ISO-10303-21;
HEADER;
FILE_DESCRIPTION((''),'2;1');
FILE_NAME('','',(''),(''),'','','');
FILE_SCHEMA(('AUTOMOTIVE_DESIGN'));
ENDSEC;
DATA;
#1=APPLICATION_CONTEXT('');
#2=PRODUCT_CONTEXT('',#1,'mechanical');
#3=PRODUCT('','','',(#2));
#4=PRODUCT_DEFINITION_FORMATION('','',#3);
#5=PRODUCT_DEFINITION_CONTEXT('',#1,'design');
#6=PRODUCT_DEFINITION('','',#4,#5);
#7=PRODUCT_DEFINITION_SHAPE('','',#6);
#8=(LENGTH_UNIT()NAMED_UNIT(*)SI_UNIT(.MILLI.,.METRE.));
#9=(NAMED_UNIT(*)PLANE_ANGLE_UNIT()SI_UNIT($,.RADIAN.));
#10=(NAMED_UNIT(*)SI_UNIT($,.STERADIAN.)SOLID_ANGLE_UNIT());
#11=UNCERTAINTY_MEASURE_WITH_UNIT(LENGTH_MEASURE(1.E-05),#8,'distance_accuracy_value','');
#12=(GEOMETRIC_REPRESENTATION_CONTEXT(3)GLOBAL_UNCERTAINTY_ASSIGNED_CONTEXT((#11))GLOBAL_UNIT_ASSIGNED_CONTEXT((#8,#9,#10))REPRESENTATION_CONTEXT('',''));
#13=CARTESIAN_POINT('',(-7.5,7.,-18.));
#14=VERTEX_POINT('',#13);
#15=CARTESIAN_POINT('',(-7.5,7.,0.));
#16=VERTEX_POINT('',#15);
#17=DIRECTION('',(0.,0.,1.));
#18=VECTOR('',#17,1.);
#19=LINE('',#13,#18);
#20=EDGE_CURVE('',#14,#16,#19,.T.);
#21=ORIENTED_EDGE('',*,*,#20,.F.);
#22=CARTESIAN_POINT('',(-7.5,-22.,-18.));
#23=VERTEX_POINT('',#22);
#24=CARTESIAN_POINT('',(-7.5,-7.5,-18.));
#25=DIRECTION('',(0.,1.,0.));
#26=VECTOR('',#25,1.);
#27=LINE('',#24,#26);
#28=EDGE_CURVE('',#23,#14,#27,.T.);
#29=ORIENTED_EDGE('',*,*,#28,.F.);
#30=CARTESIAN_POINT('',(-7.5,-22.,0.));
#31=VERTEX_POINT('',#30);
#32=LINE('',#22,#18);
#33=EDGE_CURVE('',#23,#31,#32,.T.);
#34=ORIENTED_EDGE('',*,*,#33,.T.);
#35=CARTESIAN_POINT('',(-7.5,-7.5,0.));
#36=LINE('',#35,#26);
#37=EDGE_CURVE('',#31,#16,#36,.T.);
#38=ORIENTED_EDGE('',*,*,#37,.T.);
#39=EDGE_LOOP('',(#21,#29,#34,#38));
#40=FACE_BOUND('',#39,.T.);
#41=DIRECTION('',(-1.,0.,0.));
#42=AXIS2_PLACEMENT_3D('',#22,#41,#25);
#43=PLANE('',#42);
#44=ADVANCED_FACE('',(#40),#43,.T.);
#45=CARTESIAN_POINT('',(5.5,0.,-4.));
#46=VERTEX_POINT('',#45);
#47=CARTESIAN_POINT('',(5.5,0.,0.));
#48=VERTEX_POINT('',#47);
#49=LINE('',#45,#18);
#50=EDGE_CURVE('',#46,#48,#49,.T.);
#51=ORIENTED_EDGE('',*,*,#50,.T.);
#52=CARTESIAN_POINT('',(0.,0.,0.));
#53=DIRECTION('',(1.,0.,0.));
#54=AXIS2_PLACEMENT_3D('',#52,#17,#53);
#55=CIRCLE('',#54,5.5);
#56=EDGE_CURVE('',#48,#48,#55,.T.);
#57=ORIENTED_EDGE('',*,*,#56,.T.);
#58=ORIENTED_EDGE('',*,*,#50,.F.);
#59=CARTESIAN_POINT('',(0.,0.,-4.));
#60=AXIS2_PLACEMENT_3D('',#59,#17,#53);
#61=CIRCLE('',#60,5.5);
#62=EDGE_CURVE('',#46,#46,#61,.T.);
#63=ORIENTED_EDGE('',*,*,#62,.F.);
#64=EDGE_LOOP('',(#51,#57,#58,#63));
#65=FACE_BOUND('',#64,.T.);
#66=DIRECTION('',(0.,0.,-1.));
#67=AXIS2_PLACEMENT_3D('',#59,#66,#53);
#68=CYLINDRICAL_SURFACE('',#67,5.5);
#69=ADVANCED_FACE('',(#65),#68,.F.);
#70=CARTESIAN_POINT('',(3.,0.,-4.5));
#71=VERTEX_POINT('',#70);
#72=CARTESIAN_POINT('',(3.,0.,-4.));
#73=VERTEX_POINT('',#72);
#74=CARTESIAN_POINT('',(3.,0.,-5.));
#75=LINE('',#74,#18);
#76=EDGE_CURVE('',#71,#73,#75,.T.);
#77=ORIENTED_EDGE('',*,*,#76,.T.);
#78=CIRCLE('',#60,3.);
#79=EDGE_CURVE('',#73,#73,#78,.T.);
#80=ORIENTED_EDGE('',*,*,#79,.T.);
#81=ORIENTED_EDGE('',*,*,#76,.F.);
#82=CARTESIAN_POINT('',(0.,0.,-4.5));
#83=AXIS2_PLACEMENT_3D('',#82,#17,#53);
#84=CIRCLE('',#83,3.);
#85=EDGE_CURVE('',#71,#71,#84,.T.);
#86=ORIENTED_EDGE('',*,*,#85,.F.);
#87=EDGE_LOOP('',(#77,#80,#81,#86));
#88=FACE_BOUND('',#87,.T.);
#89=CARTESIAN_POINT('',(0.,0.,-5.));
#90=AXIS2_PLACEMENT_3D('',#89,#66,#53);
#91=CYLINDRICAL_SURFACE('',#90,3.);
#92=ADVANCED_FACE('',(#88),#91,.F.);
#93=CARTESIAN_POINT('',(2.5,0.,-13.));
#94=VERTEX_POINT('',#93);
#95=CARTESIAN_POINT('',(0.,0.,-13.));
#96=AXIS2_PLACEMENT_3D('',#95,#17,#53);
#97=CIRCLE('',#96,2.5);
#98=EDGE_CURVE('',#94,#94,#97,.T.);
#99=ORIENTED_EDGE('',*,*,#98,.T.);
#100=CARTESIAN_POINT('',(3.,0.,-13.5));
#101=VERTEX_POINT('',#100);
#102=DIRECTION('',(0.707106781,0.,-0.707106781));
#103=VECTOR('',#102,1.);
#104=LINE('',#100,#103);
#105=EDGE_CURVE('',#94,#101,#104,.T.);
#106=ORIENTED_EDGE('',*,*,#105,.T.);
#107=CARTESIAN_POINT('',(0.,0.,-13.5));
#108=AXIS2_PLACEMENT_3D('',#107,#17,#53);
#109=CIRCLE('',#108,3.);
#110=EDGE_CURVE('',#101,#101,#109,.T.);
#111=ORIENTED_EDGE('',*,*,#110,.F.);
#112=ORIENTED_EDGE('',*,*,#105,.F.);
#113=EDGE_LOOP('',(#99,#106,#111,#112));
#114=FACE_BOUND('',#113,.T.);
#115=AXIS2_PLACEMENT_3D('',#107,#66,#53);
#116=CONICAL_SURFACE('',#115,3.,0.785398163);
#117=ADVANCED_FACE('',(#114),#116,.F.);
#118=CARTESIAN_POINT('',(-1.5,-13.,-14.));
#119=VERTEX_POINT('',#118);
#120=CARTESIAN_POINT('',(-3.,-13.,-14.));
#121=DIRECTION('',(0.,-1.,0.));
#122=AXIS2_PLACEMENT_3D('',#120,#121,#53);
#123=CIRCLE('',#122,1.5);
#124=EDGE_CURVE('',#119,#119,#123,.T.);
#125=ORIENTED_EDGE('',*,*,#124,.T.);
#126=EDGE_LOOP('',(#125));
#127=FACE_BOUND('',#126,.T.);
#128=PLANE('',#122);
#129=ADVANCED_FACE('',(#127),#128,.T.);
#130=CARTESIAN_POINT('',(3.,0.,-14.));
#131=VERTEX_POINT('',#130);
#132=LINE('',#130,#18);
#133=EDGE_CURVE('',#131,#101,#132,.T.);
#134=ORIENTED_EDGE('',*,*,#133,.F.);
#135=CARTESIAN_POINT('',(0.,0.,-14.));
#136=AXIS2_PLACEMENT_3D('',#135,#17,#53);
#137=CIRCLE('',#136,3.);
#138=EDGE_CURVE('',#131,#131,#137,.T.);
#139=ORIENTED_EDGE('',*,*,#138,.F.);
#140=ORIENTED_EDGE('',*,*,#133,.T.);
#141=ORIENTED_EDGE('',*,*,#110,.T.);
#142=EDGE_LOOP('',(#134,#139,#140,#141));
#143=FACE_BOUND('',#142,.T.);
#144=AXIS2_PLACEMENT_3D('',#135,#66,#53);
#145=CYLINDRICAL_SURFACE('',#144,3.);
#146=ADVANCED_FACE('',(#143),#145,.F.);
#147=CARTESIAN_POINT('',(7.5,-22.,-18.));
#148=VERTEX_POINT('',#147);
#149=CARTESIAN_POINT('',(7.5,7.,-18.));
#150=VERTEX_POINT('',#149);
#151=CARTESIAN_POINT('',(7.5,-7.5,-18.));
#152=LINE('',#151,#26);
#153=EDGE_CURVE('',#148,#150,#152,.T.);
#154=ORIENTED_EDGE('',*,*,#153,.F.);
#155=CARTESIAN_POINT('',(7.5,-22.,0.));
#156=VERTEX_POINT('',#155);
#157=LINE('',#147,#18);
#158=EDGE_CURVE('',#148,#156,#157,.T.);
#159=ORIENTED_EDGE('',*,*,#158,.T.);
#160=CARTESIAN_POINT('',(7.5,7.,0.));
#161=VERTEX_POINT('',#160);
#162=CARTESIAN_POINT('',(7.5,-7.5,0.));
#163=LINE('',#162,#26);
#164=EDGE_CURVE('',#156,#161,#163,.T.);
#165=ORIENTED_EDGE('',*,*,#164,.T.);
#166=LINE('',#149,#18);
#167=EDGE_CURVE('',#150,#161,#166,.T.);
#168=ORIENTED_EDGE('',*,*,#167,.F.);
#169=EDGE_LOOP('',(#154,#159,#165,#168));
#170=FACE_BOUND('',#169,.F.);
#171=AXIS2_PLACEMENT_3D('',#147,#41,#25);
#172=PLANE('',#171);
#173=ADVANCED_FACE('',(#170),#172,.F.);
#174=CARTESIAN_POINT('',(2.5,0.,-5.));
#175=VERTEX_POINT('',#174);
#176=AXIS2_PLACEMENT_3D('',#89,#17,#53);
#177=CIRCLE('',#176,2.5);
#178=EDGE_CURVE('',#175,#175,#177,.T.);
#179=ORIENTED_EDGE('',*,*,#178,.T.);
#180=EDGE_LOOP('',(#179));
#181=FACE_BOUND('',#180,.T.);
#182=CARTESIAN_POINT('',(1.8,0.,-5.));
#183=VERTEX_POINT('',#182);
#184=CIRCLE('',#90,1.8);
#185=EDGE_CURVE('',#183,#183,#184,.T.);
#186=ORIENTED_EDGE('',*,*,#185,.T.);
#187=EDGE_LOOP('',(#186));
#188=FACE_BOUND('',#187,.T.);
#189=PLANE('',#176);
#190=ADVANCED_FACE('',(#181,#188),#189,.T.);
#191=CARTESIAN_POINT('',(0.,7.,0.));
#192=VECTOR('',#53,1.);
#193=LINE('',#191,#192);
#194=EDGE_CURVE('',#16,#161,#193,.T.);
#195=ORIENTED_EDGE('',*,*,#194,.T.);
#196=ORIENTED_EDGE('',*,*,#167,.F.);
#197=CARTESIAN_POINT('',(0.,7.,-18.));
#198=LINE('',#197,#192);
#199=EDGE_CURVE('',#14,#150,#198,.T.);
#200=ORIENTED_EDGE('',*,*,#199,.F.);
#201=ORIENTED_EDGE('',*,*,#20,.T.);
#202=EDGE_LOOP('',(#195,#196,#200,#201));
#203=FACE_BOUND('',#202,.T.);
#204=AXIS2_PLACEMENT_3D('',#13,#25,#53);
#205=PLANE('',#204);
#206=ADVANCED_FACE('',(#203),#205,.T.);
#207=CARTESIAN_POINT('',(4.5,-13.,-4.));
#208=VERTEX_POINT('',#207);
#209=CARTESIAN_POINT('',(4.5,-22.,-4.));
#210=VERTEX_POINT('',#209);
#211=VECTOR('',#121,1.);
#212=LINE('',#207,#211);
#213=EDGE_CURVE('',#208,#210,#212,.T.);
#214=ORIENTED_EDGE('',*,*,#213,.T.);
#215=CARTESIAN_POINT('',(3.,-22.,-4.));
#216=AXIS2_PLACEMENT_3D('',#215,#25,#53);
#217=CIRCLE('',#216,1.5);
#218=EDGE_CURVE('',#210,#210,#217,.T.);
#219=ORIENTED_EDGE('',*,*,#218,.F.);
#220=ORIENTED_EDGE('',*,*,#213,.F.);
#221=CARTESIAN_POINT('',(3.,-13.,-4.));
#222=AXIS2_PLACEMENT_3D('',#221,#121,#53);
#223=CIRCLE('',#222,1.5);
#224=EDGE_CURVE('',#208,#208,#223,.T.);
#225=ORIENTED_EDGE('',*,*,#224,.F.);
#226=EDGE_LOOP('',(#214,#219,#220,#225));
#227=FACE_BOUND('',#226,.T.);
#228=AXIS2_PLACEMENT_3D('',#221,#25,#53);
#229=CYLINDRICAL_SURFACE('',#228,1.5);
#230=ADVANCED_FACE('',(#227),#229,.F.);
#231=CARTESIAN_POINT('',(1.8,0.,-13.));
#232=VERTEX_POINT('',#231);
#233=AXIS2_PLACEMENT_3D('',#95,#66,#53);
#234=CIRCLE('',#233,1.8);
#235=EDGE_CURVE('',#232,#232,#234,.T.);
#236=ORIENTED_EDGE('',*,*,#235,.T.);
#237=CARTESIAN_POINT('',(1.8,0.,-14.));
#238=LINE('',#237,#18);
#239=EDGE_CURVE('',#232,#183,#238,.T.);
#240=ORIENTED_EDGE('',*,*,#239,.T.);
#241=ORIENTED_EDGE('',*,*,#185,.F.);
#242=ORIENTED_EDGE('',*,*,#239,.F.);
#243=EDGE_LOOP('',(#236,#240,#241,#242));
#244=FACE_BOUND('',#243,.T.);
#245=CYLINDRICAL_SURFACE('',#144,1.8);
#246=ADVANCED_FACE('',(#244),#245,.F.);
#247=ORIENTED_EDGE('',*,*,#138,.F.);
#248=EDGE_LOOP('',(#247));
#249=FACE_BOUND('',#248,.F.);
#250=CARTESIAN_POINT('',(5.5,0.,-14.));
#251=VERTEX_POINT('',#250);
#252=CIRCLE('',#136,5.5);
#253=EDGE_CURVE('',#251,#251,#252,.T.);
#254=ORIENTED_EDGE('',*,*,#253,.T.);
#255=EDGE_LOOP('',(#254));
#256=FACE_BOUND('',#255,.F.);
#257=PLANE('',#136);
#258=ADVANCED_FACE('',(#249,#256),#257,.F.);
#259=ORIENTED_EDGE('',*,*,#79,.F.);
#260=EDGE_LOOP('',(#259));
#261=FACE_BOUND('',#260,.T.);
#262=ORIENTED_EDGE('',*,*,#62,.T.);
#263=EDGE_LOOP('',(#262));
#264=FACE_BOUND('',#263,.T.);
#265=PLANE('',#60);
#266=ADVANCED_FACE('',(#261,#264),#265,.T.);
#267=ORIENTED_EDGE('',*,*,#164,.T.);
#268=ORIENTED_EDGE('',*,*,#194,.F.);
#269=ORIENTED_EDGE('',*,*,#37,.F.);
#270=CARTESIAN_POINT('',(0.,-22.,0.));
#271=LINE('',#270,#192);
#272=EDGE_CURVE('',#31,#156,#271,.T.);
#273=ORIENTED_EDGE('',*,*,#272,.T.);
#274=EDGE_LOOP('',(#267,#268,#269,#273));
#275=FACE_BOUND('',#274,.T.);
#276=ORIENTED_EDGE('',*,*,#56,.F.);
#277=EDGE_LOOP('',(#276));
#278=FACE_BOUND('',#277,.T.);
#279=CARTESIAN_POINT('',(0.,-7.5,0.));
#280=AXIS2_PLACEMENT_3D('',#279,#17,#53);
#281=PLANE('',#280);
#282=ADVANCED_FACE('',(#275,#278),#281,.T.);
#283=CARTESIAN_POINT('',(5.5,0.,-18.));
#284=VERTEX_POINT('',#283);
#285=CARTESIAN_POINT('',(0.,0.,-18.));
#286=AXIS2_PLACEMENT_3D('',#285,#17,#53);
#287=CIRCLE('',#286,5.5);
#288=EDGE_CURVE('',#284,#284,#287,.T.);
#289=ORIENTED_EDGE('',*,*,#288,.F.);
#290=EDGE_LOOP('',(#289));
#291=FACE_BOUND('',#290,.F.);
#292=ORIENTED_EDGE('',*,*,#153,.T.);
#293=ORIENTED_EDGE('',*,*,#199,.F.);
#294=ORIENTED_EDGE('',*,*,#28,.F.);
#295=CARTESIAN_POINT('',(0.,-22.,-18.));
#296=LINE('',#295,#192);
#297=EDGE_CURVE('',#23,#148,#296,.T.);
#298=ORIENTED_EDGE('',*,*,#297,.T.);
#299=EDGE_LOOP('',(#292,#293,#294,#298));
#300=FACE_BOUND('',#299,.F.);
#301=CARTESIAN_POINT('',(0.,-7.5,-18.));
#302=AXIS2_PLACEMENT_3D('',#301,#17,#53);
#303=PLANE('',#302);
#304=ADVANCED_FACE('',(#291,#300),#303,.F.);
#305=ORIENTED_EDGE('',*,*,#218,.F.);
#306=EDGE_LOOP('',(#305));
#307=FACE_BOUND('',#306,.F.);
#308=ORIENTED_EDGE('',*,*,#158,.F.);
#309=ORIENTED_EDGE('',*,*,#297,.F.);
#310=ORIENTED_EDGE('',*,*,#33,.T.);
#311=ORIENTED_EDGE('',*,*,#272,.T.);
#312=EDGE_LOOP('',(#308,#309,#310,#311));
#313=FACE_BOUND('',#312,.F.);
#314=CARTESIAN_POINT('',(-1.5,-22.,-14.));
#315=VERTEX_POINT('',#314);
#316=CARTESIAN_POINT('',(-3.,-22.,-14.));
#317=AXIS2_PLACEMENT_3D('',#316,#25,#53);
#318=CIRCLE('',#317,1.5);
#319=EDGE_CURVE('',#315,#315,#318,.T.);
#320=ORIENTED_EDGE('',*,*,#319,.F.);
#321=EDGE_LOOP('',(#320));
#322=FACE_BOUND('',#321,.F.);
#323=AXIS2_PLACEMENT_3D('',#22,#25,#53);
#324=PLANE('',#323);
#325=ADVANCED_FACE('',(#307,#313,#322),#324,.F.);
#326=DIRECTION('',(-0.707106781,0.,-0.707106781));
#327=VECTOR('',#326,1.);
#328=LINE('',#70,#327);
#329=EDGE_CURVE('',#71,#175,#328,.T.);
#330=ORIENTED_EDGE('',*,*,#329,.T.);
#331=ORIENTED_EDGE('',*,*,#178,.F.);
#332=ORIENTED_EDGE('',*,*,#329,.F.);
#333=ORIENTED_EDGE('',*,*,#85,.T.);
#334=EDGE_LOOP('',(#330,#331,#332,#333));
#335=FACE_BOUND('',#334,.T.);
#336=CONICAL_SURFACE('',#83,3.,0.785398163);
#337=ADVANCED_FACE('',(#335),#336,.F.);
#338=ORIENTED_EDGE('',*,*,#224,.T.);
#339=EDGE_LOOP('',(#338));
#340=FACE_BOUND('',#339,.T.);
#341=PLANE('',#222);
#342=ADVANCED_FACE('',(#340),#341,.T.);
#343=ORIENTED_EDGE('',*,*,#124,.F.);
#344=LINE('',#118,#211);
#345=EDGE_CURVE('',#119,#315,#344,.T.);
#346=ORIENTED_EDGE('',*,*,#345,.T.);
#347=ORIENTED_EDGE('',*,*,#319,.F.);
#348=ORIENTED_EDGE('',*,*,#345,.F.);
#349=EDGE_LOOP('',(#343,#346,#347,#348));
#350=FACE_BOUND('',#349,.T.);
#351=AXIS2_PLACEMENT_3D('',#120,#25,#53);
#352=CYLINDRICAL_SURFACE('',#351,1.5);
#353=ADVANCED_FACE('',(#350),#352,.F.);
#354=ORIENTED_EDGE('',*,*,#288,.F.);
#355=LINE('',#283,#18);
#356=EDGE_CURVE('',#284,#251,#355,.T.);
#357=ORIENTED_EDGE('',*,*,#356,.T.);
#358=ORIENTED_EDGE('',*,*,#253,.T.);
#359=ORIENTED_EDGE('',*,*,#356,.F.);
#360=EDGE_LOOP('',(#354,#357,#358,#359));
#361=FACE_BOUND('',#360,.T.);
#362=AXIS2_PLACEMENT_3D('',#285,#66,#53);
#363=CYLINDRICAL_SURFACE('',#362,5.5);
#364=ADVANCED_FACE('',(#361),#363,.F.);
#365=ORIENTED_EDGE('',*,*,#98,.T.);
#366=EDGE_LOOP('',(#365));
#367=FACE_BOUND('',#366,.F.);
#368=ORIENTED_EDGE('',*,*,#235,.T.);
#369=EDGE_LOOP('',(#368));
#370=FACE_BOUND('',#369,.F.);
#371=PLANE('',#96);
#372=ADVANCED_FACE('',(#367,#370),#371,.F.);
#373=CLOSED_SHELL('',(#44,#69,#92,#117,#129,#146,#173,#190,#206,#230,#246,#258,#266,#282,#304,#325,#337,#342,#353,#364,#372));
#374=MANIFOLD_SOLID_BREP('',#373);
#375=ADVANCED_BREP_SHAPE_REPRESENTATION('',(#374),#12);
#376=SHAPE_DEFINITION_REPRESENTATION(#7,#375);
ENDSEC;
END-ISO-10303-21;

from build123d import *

# Parameters (mm, degrees)
CYLINDER095_R      = 1.5
CYLINDER095_DEPTH  = 21
CYLINDER094_R      = 1.5
CYLINDER094_DEPTH  = 21
CYLINDER085_R      = 1.8
CYLINDER085_DEPTH  = 12
CYLINDER088_R      = 3
CYLINDER088_DEPTH  = 1
CYLINDER089_R      = 3
CYLINDER089_DEPTH  = 1
CYLINDER087_R      = 5.5
CYLINDER087_DEPTH  = 4
CYLINDER086_R      = 5.5
CYLINDER086_DEPTH  = 4
BOX406008013_W     = 15
BOX406008013_H     = 29
BOX406008013_DEPTH = 18
CHAMFER_SIZE       = 0.5
CHAMFER001_SIZE    = 0.5


with BuildPart() as cylinder095:
    # Cylinder095 → Cylinder095 (new body)
    with BuildSketch(Plane(origin=(3, -13, -4), x_dir=(1, 0, 0), z_dir=(0, -1, 0))):
        Circle(CYLINDER095_R)
    extrude(amount=CYLINDER095_DEPTH)


with BuildPart() as fusion103077013004017014:
    # Cylinder094 → Cylinder094 (new body)
    with BuildSketch(Plane(origin=(-3, -13, -14), x_dir=(1, 0, 0), z_dir=(0, -1, 0))):
        Circle(CYLINDER094_R)
    extrude(amount=CYLINDER094_DEPTH)

    # Fusion103077013004017014: union Cylinder095
    add(cylinder095.part)


with BuildPart() as cylinder081:
    # Cylinder085 → Cylinder085 (new body)
    with BuildSketch(Plane.XY.offset(-14)):
        Circle(CYLINDER085_R)
    extrude(amount=CYLINDER085_DEPTH)


with BuildPart() as cylinder082:
    # Cylinder088 → Cylinder088 (new body)
    with BuildSketch(Plane.XY.offset(-5)):
        Circle(CYLINDER088_R)
    extrude(amount=CYLINDER088_DEPTH)


with BuildPart() as fusion103077013004017009:
    # Cylinder089 → Cylinder089 (new body)
    with BuildSketch(Plane.XY.offset(-14)):
        Circle(CYLINDER089_R)
    extrude(amount=CYLINDER089_DEPTH)

    # Fusion103077013004017009: union Cylinder082
    add(cylinder082.part)


with BuildPart() as f_623_bearing003:
    # Cylinder087 → Cylinder087 (new body)
    with BuildSketch(Plane.XY.offset(-18)):
        Circle(CYLINDER087_R)
    extrude(amount=CYLINDER087_DEPTH)


with BuildPart() as f_623_bearing_holes:
    # Cylinder086 → Cylinder086 (new body)
    with BuildSketch(Plane.XY.offset(-4)):
        Circle(CYLINDER086_R)
    extrude(amount=CYLINDER086_DEPTH)

    # Fusion103077013004017008: union 623 Bearing003
    add(f_623_bearing003.part)


with BuildPart() as cut078:
    # Box406008013 → Box406008013 (new body)
    with BuildSketch(Plane(origin=(-7.5, -22, -18), x_dir=(1, 0, 0), z_dir=(0, 0, 1))):
        with Locations((7.5, 14.5)):
            Rectangle(BOX406008013_W, BOX406008013_H)
    extrude(amount=BOX406008013_DEPTH)

    # Cut070: cut 623 Bearing Holes
    add(f_623_bearing_holes.part, mode=Mode.SUBTRACT)

    # Cut071: cut Fusion103077013004017009
    add(fusion103077013004017009.part, mode=Mode.SUBTRACT)

    # Cut072: cut Cylinder081
    add(cylinder081.part, mode=Mode.SUBTRACT)

    # Chamfer
    chamfer_edges = [cut078.edges().sort_by_distance(p)[0] for p in [
        (-3, 0, -5),
    ]]
    chamfer(chamfer_edges, length=CHAMFER_SIZE)

    # Chamfer001
    chamfer001_edges = [cut078.edges().sort_by_distance(p)[0] for p in [
        (-3, 0, -13),
    ]]
    chamfer(chamfer001_edges, length=CHAMFER001_SIZE)

    # Cut078: cut Fusion103077013004017014
    add(fusion103077013004017014.part, mode=Mode.SUBTRACT)


solid = cut078.part
